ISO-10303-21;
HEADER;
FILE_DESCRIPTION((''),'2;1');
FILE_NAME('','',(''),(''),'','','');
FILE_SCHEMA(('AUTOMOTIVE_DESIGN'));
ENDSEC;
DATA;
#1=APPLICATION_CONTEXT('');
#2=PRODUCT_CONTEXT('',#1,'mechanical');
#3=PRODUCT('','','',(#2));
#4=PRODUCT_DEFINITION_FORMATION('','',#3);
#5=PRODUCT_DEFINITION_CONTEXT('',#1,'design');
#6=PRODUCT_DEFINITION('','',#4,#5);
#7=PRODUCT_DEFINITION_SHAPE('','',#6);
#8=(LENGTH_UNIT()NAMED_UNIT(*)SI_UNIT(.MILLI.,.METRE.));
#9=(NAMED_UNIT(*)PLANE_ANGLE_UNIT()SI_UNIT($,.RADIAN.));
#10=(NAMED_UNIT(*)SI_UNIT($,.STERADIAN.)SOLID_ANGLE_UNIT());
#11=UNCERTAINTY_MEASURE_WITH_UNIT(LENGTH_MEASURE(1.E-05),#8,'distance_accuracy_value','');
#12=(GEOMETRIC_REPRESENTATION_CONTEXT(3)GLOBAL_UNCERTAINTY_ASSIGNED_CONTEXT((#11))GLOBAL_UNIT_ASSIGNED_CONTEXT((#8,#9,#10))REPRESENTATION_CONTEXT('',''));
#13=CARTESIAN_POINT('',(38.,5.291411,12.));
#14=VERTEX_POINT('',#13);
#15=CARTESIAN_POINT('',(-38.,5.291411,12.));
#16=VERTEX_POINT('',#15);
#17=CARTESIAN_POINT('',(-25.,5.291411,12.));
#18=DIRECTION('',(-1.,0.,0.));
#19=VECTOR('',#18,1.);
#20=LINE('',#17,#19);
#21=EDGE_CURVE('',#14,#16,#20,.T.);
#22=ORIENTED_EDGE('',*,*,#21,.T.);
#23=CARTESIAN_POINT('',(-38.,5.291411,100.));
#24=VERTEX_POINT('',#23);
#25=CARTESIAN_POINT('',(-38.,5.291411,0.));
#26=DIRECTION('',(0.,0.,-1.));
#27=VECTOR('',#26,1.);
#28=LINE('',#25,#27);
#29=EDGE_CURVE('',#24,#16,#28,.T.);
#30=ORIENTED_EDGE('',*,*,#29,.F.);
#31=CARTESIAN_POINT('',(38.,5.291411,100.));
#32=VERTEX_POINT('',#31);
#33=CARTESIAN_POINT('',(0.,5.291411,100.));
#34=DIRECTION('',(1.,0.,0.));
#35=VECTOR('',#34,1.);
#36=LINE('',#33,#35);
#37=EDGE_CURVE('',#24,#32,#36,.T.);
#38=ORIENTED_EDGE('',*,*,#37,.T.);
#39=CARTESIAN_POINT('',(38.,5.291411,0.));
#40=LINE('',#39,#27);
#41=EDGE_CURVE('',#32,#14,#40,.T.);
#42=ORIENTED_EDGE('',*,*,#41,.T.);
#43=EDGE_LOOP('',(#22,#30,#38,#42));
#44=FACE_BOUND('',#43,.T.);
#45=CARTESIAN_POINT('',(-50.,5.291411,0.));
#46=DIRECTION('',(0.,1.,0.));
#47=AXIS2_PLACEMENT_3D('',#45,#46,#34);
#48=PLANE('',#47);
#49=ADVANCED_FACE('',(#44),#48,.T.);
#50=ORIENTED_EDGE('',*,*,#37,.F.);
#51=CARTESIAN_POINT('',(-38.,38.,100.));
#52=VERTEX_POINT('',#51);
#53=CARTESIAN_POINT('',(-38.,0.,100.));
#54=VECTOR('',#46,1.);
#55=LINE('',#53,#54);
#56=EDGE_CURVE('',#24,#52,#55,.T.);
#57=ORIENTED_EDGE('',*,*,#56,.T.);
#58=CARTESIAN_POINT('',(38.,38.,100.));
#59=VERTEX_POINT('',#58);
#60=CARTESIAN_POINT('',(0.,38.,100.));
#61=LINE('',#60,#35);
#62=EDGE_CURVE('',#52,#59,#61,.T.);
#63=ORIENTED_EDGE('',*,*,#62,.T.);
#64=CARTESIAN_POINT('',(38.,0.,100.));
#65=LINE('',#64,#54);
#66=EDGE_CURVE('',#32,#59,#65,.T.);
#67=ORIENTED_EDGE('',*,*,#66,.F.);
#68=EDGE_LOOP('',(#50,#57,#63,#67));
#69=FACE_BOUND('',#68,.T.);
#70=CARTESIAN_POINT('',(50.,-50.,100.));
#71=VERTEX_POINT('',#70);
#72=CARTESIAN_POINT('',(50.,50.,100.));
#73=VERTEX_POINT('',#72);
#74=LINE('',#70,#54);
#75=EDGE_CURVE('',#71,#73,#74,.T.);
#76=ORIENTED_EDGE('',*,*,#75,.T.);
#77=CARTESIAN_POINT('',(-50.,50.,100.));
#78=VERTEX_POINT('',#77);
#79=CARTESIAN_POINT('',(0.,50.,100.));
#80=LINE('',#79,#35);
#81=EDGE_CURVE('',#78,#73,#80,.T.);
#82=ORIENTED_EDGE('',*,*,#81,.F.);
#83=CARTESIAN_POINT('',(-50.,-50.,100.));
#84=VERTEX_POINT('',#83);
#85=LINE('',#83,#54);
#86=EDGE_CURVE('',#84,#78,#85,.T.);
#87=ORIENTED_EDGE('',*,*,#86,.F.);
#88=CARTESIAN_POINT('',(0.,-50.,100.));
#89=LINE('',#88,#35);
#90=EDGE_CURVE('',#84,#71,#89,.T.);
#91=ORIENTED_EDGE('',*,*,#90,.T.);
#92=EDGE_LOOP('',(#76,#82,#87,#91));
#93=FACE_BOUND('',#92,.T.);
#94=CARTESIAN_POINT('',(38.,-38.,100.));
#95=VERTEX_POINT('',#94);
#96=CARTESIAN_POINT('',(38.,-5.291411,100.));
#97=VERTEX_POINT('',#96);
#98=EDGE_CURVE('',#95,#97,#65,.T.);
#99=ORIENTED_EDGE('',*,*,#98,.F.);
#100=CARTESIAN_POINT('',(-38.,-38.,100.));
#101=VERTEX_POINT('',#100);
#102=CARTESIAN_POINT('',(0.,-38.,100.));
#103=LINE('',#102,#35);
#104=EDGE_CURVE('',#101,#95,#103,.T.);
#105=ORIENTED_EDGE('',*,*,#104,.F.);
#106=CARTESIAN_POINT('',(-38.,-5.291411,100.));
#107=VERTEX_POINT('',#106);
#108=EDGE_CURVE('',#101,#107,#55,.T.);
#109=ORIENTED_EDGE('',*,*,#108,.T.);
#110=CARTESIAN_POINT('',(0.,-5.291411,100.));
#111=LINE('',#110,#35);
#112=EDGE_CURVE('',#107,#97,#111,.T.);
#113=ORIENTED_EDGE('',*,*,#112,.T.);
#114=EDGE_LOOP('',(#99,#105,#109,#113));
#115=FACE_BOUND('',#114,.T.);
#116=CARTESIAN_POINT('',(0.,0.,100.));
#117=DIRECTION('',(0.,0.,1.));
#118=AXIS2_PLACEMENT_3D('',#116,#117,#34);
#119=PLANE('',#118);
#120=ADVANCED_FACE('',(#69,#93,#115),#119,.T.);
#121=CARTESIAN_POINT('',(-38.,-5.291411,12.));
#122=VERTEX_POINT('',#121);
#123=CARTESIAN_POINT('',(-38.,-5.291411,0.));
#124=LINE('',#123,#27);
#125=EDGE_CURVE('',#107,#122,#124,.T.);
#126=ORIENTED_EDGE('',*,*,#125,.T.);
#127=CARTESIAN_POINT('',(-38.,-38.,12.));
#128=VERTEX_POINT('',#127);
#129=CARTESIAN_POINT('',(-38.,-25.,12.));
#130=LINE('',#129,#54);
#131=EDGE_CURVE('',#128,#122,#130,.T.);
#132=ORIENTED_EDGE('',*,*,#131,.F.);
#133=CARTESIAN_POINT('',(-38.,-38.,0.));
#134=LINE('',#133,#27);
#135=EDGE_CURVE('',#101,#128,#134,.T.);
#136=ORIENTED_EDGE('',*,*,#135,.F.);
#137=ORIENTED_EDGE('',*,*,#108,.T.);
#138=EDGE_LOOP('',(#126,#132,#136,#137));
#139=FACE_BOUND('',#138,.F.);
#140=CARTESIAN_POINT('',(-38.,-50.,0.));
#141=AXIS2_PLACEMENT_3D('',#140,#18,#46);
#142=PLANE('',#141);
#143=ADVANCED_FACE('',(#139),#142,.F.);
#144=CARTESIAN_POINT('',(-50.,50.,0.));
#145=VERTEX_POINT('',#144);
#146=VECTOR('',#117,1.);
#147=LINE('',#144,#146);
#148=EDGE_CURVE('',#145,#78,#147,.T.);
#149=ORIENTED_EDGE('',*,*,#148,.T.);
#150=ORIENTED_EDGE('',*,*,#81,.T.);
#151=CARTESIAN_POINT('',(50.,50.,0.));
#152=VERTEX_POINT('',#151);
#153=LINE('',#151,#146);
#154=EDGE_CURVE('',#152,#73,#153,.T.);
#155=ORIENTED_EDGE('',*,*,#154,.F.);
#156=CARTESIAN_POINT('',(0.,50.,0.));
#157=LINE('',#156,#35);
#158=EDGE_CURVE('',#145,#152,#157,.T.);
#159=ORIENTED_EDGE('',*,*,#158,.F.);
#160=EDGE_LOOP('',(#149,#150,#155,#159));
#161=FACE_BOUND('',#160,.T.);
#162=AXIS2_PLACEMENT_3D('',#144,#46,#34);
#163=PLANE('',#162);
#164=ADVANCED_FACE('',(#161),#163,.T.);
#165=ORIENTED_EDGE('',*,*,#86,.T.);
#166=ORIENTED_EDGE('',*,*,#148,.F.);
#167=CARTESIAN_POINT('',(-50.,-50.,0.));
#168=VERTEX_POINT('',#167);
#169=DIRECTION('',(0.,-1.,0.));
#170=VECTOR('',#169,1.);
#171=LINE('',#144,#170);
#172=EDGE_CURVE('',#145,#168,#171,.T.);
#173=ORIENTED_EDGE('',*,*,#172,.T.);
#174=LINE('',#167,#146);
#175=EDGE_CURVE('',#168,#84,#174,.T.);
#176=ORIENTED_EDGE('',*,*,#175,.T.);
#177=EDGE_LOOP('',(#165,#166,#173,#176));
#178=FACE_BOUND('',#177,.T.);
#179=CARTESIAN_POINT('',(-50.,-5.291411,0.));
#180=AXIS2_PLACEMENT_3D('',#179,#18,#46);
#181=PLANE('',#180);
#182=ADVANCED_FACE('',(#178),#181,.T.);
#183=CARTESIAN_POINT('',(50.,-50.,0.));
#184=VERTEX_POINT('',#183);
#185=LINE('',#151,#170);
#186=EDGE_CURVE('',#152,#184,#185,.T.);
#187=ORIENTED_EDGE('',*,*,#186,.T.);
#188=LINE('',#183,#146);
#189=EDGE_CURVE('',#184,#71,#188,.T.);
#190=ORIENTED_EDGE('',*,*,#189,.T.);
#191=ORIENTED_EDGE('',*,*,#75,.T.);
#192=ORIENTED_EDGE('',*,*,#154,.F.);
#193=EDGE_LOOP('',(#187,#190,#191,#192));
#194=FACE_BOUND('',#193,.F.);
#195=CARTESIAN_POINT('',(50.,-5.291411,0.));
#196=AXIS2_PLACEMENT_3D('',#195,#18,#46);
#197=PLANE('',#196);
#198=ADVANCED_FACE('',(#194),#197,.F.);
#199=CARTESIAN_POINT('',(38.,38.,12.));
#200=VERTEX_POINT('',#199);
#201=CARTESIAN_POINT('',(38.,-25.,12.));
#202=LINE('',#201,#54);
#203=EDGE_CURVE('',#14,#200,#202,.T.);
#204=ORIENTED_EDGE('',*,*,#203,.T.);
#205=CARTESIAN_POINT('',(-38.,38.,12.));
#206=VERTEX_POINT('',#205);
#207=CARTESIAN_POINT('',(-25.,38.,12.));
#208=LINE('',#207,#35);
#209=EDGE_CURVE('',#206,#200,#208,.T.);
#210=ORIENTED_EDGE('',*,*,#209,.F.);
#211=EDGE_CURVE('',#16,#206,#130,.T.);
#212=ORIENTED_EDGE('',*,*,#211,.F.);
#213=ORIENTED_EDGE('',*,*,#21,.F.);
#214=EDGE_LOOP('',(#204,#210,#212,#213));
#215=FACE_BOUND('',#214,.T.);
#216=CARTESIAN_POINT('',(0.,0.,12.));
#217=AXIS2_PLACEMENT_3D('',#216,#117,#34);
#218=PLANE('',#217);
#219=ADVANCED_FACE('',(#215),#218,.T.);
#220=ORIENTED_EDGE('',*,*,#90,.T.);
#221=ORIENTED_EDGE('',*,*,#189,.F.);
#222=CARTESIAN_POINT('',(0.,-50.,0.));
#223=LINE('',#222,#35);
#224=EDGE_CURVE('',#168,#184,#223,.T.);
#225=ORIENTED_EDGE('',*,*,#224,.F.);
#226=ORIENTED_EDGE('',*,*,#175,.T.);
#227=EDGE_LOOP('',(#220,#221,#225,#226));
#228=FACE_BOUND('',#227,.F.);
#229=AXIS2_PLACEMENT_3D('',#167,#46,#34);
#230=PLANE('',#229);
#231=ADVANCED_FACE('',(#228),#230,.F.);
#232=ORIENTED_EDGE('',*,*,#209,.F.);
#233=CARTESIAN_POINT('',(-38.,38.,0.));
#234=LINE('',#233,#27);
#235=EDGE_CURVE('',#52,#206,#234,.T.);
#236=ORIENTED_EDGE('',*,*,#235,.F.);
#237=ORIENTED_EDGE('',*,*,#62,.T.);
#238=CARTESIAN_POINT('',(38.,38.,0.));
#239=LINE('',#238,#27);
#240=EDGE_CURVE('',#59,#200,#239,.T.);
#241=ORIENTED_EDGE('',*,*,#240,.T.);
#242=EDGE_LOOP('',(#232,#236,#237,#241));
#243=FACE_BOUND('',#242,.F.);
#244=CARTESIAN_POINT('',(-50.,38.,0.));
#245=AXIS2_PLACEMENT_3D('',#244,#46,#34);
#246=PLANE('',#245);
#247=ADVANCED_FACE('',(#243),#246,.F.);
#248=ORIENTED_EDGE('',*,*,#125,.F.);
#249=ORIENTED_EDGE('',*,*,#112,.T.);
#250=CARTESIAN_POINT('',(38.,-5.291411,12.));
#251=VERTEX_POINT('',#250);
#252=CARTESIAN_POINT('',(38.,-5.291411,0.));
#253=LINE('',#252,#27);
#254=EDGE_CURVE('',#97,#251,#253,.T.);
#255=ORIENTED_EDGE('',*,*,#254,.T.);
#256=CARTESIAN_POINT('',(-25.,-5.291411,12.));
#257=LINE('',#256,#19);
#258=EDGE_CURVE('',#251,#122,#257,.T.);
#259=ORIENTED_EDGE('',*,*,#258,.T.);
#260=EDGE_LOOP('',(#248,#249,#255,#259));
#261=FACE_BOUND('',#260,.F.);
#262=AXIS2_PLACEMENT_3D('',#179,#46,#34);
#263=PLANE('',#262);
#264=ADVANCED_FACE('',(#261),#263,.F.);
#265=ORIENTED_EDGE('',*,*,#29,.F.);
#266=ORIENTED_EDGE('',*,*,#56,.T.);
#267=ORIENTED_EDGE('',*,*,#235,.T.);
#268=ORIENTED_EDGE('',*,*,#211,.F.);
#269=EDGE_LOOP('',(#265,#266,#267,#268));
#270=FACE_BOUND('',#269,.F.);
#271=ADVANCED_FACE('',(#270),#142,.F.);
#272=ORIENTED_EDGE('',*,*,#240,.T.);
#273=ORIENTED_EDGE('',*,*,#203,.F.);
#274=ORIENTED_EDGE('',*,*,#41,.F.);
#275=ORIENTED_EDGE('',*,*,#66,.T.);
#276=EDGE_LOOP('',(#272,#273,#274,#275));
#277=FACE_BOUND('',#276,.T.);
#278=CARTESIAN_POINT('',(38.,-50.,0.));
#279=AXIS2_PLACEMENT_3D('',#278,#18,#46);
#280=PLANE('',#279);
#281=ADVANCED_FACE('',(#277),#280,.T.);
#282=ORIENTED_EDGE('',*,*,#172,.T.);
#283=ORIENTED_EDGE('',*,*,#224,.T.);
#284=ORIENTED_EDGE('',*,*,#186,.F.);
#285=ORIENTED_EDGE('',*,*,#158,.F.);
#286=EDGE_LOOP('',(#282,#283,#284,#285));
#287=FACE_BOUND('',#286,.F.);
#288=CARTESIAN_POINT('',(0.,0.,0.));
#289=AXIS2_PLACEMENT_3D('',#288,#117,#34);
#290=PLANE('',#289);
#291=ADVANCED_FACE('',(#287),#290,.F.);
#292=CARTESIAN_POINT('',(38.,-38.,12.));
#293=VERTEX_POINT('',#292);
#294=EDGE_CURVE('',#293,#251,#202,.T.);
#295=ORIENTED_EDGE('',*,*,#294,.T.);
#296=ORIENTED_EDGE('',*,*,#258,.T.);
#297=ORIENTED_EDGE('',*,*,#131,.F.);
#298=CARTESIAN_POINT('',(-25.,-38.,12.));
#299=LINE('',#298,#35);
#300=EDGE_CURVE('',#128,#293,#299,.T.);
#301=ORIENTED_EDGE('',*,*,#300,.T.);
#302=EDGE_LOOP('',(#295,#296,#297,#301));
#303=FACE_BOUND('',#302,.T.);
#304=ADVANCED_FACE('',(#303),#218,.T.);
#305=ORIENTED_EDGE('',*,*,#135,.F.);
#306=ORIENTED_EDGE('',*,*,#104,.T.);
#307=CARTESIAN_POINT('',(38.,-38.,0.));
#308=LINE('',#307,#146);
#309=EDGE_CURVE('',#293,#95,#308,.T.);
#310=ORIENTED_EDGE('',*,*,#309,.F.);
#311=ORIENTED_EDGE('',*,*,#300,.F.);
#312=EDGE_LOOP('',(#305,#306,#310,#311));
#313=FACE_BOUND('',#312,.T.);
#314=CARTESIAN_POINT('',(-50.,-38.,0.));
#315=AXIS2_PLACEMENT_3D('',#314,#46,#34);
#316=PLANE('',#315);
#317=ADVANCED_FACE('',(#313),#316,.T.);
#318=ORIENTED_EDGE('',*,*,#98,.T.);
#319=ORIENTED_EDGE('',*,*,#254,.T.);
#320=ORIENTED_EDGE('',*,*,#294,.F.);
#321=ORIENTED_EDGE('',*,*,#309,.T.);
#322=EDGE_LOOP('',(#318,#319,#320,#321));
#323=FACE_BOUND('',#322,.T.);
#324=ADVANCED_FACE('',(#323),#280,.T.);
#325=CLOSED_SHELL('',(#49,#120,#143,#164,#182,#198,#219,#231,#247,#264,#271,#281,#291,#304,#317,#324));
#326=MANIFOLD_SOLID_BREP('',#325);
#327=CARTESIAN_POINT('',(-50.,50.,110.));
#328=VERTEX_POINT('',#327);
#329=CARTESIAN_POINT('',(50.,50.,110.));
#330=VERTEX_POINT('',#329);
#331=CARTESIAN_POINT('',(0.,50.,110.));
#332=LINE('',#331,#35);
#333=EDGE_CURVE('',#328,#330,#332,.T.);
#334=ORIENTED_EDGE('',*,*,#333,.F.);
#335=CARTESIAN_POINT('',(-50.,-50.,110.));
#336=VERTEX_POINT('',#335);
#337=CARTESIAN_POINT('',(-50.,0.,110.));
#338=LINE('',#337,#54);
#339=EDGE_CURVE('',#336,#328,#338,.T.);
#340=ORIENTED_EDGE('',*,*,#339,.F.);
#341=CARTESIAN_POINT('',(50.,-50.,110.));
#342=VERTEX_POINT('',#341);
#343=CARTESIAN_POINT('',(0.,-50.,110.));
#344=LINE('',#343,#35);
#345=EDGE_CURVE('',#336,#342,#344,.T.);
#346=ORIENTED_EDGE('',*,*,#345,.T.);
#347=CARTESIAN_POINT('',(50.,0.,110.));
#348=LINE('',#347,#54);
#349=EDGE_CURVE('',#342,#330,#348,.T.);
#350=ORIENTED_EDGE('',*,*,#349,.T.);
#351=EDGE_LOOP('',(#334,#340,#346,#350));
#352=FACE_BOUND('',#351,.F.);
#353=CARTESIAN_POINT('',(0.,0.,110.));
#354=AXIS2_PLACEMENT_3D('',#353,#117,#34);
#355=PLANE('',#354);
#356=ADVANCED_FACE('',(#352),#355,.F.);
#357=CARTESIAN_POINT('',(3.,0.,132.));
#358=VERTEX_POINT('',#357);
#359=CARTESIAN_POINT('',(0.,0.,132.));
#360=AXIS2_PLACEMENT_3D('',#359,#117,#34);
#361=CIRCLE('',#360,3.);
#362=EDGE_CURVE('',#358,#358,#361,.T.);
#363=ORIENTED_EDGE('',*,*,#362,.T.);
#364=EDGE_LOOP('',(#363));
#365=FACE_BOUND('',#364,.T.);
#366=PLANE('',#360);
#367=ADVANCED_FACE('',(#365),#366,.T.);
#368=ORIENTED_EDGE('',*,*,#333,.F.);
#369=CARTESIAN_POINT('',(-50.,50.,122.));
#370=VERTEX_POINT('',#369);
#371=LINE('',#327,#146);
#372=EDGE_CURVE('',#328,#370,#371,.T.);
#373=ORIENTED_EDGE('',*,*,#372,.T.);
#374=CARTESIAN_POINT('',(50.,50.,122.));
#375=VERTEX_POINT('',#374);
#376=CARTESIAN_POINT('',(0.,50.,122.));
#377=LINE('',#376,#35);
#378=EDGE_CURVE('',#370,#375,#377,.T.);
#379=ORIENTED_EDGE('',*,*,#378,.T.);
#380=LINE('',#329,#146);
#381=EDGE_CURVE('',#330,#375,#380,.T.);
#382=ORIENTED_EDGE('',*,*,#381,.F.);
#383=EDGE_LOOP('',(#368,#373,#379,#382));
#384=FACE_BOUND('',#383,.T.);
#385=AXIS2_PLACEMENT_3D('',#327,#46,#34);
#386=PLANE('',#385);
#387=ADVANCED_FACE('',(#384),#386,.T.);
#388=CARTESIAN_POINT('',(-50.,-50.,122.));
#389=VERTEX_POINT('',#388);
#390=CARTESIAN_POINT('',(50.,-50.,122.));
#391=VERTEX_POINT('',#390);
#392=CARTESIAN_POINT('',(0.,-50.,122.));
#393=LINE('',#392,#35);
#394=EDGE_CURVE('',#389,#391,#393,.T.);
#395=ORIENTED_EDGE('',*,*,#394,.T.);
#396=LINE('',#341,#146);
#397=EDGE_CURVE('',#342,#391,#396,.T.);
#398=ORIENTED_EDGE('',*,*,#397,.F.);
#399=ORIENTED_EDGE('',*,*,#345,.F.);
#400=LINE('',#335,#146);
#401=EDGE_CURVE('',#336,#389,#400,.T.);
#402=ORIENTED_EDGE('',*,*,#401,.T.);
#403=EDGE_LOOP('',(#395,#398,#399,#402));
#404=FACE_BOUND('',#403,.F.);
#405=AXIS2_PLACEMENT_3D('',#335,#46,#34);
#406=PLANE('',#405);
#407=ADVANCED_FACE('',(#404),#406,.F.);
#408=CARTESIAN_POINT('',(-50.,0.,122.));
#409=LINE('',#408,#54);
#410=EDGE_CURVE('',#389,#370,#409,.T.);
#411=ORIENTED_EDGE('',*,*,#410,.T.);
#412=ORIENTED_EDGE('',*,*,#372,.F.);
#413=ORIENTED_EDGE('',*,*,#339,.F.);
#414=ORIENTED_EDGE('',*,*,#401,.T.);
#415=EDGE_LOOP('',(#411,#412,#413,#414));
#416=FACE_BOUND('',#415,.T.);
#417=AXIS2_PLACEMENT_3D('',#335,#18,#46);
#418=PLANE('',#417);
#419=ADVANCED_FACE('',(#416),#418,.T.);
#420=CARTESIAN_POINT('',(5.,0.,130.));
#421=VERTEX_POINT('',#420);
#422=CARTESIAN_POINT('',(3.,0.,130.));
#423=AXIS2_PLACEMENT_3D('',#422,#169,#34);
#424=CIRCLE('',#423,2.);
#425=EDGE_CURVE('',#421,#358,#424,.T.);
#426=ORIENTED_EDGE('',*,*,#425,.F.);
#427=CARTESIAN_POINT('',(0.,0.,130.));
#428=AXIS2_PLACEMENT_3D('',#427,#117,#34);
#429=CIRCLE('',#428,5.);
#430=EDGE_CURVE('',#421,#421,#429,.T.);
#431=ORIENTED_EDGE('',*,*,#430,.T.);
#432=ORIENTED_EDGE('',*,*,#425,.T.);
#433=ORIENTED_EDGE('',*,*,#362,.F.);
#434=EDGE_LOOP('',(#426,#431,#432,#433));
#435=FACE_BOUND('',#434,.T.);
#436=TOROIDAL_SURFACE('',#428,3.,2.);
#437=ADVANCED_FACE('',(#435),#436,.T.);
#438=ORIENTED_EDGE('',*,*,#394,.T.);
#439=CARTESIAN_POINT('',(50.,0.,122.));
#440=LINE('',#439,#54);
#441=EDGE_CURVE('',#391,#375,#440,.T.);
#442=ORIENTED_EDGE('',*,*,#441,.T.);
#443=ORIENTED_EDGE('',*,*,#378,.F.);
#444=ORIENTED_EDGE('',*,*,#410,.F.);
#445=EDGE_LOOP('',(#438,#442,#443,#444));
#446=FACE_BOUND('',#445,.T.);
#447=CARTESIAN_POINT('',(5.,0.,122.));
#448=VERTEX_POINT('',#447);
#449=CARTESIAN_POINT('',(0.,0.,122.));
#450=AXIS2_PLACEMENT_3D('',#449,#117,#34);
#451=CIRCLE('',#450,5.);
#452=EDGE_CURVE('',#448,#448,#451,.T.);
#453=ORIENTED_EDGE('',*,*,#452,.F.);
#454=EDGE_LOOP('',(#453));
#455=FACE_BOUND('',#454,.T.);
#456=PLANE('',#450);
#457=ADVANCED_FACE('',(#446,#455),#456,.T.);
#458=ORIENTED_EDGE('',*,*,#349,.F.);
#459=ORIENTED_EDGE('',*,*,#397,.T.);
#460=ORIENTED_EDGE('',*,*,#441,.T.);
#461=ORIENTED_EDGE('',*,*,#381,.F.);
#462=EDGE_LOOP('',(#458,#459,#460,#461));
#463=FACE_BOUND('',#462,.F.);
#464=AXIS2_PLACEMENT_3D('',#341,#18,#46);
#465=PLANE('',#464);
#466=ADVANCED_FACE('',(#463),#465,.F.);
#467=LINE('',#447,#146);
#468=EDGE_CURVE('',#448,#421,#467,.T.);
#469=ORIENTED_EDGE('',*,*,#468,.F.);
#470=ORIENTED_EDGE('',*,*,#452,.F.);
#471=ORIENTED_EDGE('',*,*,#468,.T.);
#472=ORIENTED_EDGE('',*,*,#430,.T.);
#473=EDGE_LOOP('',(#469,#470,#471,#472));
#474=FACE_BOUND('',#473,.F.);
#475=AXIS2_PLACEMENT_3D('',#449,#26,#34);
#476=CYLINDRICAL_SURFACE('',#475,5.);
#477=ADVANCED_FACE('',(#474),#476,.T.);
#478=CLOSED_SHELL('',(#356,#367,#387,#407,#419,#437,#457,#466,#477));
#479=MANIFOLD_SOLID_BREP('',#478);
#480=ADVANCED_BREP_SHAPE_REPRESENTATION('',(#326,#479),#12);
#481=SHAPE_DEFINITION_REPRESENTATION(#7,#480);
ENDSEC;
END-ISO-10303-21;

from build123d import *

# Parameters (mm, degrees)
F0_W     = 100
F0_H     = 100
F1_DEPTH = 100
F2_T     = -12
F3_W     = 100
F3_H     = 10.582822
F4_DEPTH = 100
F6_W     = 100
F6_H     = 100
F7_DEPTH = 12
F8_R     = 5
F9_DEPTH = 10
F10_R    = 2


with BuildPart() as f1:
    # F0 (on Top) → F1 (new body)
    with BuildSketch(Plane.XY):
        Rectangle(F0_W, F0_H)
    extrude(amount=F1_DEPTH)

    # F2
    f2_openings = [f1.faces().sort_by_distance(p)[0] for p in [
        (0, 0, 100),
    ]]
    offset(amount=F2_T, openings=f2_openings)

    # F3 (on Top) → F4 (join)
    with BuildSketch(Plane.XY):
        Rectangle(F3_W, F3_H)
    extrude(amount=F4_DEPTH)


with BuildPart() as f7:
    # F6 (on offset) → F7 (new body)
    with BuildSketch(Plane.XY.offset(110)):
        Rectangle(F6_W, F6_H)
    extrude(amount=F7_DEPTH)

    # F8 (on face) → F9 (join)
    with BuildSketch(Plane.XY.offset(122)):
        Circle(F8_R)
    extrude(amount=F9_DEPTH)

    # F10
    f10_edges = [f7.edges().sort_by_distance(p)[0] for p in [
        (-5, 0, 132),
    ]]
    fillet(f10_edges, radius=F10_R)


solid = Compound([f1.part, f7.part])
